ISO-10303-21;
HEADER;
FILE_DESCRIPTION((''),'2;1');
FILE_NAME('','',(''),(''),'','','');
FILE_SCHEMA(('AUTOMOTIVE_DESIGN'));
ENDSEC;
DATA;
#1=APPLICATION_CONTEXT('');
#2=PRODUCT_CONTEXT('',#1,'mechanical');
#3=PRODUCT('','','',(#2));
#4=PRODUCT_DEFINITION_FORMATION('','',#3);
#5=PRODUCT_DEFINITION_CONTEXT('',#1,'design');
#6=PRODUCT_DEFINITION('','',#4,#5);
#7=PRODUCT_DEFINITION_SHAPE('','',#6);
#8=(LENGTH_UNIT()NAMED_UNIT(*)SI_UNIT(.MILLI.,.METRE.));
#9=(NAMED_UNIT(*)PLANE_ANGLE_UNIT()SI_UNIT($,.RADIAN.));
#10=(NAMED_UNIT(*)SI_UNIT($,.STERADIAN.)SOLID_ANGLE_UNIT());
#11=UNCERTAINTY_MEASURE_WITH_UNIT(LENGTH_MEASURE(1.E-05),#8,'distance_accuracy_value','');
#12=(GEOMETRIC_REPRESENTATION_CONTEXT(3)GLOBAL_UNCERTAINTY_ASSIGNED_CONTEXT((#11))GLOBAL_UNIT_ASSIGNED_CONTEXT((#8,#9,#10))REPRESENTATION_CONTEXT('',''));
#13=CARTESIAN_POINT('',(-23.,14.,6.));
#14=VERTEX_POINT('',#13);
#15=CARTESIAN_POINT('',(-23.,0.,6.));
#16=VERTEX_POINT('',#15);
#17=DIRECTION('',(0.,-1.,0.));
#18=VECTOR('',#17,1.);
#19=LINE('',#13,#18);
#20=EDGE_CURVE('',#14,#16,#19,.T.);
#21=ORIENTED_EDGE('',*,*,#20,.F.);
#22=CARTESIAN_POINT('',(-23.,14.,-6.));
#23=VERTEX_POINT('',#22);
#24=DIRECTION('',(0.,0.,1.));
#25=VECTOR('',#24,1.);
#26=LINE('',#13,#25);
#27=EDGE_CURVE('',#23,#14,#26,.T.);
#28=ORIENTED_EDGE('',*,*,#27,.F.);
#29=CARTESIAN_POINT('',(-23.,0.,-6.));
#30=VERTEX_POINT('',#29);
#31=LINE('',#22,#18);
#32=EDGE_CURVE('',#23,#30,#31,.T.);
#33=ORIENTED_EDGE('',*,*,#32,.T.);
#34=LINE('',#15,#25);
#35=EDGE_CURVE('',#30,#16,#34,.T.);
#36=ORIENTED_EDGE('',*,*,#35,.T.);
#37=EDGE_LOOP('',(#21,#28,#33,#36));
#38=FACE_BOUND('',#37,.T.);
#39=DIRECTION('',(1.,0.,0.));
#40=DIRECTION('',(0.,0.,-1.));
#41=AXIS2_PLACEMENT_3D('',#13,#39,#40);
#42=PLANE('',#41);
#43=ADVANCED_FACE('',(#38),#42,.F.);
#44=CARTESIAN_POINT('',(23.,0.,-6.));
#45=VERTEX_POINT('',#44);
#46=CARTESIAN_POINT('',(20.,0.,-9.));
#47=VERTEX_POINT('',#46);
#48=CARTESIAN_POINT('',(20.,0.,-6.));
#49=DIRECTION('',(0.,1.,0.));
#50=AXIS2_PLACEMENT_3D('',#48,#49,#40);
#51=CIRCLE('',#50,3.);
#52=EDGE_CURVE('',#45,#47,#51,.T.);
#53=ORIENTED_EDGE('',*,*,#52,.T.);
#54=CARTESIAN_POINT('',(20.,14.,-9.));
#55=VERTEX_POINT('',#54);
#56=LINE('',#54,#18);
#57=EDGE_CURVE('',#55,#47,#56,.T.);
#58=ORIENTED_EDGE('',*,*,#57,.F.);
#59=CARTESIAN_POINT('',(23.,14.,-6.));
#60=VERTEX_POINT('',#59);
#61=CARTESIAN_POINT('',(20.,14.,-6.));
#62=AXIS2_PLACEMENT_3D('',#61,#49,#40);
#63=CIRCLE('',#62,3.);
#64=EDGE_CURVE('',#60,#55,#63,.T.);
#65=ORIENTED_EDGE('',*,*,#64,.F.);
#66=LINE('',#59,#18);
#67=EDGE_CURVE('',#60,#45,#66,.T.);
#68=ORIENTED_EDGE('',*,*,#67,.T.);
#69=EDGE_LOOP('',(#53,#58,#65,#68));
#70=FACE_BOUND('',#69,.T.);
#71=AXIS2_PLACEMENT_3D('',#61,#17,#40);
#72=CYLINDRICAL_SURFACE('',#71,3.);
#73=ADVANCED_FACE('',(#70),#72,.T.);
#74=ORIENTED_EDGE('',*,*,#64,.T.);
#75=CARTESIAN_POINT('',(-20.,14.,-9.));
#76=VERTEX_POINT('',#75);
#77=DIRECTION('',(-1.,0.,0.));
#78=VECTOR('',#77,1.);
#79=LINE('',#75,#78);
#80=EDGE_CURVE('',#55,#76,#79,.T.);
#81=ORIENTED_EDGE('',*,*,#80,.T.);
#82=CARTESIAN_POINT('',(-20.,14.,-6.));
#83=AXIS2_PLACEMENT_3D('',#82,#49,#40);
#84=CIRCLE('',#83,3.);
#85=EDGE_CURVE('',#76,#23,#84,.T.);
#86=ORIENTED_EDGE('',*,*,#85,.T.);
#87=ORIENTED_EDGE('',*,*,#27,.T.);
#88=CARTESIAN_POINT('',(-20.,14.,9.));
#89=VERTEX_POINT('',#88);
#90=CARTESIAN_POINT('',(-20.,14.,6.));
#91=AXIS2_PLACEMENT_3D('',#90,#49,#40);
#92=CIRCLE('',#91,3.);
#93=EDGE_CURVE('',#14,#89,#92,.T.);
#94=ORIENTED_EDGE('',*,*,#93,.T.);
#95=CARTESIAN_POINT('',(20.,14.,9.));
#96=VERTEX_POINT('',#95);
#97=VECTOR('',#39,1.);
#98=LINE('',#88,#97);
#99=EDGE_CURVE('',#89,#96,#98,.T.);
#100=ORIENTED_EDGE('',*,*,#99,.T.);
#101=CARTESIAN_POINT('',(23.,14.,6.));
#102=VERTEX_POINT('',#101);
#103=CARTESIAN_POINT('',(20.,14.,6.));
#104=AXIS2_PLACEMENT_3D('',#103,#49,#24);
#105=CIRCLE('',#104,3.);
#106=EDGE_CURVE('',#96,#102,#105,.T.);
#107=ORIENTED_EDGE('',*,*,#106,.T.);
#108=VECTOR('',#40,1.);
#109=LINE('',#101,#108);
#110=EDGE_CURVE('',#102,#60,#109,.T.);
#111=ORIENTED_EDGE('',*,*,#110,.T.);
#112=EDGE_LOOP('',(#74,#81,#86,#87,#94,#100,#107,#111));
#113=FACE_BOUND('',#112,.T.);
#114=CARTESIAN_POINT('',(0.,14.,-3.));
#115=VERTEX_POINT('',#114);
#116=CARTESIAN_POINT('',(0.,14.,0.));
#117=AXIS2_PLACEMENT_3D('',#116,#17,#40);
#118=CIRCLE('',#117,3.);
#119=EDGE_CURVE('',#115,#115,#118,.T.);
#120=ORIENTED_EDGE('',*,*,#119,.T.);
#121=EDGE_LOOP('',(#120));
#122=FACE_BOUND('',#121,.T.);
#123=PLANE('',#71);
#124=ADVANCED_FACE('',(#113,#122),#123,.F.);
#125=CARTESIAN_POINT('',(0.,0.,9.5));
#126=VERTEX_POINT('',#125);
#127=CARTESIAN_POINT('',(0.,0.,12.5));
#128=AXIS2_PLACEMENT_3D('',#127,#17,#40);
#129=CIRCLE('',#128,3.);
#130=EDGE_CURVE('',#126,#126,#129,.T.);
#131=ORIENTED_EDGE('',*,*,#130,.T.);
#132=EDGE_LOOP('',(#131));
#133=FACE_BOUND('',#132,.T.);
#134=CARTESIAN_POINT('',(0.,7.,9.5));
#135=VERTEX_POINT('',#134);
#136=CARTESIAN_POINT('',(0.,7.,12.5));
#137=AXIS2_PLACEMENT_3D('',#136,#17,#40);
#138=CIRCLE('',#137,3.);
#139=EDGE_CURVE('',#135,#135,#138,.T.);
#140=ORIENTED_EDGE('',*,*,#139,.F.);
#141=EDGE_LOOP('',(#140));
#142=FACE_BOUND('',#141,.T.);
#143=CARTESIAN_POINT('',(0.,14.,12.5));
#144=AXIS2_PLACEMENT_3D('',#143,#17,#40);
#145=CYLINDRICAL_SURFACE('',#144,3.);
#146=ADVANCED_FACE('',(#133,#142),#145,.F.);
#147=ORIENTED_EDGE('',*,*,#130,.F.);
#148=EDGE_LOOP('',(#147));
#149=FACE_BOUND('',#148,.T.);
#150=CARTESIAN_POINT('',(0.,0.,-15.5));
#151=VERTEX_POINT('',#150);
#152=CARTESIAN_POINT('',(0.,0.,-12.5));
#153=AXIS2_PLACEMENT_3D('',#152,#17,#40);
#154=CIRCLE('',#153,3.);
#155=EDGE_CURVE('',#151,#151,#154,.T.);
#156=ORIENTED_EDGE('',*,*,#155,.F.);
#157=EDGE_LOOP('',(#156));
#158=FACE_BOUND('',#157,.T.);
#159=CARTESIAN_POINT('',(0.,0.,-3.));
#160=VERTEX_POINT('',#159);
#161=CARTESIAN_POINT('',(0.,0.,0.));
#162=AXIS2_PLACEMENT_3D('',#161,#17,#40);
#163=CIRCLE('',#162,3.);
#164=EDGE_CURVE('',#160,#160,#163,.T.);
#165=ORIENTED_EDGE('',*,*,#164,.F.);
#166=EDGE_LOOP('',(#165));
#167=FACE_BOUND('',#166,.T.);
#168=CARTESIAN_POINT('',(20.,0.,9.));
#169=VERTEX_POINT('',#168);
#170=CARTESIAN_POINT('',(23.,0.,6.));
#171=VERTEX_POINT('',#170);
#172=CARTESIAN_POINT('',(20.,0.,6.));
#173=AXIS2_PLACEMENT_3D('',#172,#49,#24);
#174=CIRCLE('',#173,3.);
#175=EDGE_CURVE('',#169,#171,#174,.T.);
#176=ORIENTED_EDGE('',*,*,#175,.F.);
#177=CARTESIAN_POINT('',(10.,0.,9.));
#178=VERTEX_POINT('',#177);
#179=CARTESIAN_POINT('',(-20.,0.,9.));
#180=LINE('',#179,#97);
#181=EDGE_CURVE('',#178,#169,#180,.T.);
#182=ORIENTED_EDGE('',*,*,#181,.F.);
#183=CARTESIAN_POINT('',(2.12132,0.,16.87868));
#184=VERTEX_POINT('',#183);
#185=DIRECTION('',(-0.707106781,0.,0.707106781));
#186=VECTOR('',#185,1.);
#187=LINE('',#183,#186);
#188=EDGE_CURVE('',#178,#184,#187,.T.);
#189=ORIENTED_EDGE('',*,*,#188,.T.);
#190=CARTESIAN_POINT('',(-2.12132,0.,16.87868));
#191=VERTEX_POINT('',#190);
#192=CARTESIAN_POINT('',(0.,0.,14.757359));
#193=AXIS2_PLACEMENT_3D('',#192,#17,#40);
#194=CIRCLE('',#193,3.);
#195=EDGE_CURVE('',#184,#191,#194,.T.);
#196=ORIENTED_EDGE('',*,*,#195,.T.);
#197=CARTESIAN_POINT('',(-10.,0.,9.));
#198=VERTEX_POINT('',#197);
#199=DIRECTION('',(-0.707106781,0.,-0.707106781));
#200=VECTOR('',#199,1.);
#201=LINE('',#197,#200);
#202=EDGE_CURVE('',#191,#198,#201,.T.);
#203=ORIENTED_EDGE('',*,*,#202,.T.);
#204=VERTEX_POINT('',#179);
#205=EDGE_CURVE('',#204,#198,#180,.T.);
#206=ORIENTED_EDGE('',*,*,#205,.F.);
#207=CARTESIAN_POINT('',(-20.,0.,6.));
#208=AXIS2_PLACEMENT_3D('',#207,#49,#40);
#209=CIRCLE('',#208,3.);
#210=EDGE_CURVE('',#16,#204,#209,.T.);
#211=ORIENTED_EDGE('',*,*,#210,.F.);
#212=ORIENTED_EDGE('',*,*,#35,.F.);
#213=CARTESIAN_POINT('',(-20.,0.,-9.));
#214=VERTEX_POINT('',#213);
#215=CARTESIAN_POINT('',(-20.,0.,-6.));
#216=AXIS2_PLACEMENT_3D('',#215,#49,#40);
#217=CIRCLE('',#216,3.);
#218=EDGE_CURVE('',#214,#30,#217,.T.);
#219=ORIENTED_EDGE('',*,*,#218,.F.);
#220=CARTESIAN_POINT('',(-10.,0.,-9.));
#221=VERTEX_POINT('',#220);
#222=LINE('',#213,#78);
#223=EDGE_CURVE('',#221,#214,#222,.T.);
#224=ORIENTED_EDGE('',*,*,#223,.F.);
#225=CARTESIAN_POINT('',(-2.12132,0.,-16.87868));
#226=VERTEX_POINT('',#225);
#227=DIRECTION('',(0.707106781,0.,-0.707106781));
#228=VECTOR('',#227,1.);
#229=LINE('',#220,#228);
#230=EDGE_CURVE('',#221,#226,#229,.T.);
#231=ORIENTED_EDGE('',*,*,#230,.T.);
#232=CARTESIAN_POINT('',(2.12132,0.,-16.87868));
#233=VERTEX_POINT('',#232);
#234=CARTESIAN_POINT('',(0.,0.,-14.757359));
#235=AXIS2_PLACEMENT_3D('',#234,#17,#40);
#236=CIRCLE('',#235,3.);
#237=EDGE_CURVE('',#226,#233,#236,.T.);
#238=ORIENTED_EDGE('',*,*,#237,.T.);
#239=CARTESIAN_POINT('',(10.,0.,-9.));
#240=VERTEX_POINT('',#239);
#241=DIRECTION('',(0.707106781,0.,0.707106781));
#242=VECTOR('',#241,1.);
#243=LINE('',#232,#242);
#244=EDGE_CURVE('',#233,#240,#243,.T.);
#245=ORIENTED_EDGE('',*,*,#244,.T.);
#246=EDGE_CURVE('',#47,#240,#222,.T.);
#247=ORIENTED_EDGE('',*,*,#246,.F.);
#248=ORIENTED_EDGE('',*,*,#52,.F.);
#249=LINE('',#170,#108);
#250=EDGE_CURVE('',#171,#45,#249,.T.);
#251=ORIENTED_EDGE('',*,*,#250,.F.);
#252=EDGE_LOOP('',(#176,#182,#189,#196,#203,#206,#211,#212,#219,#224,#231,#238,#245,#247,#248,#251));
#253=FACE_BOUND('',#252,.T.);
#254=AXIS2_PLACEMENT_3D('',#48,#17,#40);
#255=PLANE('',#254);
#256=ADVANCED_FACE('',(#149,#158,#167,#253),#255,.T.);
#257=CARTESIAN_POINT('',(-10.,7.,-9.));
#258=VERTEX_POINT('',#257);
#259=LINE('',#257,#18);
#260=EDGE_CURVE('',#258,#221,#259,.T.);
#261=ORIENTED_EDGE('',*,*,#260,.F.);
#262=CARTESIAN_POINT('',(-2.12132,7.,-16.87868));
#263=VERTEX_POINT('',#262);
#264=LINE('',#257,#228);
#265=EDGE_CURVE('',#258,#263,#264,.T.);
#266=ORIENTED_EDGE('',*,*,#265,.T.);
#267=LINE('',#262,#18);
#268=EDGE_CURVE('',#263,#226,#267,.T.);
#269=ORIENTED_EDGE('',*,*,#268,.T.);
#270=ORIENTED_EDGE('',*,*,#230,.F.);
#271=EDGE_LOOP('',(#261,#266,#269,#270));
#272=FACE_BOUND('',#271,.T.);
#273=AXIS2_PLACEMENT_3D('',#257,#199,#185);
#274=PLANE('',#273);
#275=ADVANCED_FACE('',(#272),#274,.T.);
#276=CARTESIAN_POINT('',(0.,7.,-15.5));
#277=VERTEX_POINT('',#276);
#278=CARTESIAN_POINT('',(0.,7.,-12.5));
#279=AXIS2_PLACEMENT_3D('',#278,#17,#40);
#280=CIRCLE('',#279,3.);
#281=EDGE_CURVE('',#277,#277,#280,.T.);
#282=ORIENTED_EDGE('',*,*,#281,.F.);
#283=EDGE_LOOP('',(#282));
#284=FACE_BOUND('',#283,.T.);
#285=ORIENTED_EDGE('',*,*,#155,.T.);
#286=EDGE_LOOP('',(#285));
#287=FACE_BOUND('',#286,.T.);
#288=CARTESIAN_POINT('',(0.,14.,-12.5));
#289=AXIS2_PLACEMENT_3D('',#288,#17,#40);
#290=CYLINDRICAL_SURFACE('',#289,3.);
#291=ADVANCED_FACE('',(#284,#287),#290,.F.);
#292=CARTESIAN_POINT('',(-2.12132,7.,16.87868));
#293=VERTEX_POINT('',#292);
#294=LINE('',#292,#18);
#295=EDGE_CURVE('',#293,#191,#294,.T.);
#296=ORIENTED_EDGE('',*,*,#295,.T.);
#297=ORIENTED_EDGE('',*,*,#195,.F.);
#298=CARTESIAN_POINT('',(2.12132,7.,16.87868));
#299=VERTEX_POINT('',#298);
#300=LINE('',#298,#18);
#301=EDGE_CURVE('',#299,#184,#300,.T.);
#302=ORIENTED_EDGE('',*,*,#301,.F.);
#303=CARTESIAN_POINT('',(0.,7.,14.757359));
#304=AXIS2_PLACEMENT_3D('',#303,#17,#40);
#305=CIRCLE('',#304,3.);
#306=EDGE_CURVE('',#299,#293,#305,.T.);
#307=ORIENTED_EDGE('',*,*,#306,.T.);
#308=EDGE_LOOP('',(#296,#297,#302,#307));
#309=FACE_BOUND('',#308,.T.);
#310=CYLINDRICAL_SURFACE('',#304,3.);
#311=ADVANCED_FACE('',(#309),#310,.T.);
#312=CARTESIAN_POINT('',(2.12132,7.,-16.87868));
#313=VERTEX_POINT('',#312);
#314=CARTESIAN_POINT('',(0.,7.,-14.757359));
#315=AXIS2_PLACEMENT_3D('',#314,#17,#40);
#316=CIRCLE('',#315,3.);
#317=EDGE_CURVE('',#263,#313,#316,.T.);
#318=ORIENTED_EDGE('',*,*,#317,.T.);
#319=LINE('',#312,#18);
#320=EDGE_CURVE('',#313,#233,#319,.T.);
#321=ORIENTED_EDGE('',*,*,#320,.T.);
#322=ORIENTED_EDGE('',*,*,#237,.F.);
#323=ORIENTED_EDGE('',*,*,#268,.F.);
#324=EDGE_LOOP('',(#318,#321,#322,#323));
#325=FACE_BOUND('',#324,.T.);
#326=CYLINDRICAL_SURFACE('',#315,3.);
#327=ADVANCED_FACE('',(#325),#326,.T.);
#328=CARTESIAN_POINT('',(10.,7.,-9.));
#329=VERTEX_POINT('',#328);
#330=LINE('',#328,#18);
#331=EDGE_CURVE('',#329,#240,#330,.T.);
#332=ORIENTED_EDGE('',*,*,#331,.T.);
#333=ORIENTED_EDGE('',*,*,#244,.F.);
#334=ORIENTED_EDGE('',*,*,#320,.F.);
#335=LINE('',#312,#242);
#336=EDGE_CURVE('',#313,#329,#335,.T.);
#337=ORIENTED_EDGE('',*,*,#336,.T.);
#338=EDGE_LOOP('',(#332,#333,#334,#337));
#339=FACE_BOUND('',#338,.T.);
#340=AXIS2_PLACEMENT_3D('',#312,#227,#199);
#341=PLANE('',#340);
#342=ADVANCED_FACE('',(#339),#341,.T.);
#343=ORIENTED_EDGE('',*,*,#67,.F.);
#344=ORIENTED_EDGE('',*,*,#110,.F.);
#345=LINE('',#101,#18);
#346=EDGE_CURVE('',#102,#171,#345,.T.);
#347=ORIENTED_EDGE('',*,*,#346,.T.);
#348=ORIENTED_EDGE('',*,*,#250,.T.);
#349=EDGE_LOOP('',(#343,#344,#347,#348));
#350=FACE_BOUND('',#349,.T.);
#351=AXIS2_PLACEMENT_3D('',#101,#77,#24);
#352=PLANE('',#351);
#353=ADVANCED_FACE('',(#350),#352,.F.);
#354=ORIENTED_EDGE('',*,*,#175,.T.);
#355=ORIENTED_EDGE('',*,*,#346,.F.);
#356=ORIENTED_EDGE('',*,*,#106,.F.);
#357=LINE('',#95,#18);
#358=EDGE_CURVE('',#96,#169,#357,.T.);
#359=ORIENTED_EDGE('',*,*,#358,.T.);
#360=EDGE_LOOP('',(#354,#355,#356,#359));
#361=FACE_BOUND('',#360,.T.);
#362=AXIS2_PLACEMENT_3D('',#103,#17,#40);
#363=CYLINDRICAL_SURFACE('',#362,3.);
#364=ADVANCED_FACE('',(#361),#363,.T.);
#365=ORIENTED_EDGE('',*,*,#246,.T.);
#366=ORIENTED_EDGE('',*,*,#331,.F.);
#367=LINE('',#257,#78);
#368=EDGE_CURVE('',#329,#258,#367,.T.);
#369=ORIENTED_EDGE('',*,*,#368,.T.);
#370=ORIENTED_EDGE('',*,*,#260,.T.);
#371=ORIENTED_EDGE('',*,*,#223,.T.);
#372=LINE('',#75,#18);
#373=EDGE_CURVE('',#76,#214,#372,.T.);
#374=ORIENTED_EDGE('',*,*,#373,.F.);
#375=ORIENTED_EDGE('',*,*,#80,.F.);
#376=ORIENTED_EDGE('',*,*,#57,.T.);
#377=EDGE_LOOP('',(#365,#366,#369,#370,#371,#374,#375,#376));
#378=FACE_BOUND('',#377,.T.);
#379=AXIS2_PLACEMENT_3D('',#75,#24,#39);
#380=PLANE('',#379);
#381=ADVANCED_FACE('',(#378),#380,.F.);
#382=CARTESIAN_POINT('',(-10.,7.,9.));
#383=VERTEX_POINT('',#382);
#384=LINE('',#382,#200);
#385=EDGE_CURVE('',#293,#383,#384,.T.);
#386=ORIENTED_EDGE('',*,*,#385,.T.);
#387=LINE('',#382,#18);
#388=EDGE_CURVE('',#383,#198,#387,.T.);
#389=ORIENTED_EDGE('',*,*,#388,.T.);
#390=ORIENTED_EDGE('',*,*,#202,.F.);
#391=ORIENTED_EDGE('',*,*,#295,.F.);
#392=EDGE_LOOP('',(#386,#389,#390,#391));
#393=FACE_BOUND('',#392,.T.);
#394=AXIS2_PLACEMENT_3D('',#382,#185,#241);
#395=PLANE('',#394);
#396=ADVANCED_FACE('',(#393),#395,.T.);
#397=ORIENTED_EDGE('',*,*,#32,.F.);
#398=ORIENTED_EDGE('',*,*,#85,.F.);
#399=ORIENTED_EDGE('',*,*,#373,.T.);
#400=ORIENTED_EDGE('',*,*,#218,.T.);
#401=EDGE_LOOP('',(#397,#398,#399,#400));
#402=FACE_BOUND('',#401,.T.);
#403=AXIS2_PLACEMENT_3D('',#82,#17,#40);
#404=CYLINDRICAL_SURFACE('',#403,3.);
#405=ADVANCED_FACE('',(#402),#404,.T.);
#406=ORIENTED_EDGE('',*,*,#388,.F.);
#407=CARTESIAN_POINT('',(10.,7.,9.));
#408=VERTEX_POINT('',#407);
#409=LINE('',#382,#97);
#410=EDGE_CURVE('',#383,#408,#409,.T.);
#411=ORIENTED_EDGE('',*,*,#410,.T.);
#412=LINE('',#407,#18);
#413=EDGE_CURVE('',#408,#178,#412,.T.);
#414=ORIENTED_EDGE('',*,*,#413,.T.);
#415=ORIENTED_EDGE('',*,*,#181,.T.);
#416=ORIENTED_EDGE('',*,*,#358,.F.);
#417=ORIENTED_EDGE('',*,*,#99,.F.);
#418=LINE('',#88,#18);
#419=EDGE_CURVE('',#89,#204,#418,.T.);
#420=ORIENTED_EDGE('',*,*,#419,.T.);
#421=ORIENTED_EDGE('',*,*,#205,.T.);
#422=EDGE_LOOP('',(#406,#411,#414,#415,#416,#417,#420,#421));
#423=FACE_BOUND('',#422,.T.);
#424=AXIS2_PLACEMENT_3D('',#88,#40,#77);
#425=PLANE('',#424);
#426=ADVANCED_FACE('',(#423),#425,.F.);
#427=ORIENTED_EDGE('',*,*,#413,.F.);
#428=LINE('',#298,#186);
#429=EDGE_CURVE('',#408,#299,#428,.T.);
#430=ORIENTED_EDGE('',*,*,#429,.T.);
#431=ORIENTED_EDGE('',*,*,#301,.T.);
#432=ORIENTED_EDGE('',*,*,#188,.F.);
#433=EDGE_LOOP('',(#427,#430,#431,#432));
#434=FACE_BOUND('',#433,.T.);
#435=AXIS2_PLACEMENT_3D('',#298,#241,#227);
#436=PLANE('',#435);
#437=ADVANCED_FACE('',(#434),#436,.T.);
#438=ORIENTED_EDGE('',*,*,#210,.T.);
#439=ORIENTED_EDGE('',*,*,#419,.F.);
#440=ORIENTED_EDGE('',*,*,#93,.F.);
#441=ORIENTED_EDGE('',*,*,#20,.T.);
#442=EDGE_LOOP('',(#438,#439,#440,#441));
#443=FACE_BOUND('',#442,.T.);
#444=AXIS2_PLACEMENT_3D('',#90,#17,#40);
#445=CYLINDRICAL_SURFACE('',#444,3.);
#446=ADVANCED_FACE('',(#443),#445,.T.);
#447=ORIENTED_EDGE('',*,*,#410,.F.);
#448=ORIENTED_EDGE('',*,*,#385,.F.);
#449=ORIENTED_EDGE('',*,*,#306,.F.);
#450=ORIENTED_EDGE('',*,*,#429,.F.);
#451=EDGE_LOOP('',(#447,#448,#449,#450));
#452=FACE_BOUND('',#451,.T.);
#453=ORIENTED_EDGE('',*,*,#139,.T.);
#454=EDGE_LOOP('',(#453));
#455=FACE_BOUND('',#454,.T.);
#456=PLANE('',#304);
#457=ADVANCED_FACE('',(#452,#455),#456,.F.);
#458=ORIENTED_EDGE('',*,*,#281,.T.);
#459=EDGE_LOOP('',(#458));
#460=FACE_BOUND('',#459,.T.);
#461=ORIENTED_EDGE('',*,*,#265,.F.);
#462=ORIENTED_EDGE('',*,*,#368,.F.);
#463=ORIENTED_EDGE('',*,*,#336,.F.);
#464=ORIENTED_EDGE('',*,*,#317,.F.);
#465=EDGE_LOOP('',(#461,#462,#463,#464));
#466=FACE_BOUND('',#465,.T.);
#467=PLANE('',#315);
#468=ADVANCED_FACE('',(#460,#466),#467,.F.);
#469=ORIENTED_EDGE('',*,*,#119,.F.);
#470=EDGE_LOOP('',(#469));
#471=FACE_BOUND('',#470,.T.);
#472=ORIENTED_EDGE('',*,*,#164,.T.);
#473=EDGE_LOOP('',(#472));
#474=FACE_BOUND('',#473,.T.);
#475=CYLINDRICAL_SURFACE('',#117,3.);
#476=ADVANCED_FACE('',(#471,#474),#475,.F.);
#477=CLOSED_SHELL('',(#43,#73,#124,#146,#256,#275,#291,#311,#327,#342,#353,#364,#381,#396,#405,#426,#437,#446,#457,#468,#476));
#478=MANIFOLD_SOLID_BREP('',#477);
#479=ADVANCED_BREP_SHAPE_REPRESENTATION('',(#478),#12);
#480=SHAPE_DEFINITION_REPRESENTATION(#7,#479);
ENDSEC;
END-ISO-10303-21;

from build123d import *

# Parameters (mm, degrees)
BOX_DEPTH          = 14
TRIANGLE_DEPTH     = 7
SKETCH4_R          = 3
CUT_EXTRUDE1_DEPTH = 33.25405106


with BuildPart() as part:
    # Sketch1 → box (new body)
    with BuildSketch(Plane(origin=(0, 0, 0), x_dir=(1, 0, 0), z_dir=(0, 1, 0))):
        with BuildLine():
            Line((-20, -9), (20, -9))
            ThreePointArc((20, -9), (22.121320344, -8.121320344), (23, -6))
            Line((23, -6), (23, 6))
            ThreePointArc((23, 6), (22.121320344, 8.121320344), (20, 9))
            Line((20, 9), (-20, 9))
            ThreePointArc((-20, 9), (-22.121320344, 8.121320344), (-23, 6))
            Line((-23, 6), (-23, -6))
            ThreePointArc((-23, -6), (-22.121320344, -8.121320344), (-20, -9))
        make_face()
    extrude(amount=BOX_DEPTH)

    # Sketch3 → triangle (add)
    with BuildSketch(Plane.XZ):
        with BuildLine():
            Line((-10, -9), (-2.121320344, -16.878679656))
            ThreePointArc((-2.121320344, -16.878679656), (0, -17.757359313), (2.121320344, -16.878679656))
            Line((2.121320344, -16.878679656), (10, -9))
            Line((10, -9), (-10, -9))
        make_face()
        with BuildLine():
            Line((2.121320344, 16.878679656), (10, 9))
            Line((10, 9), (-10, 9))
            Line((-10, 9), (-2.121320344, 16.878679656))
            ThreePointArc((-2.121320344, 16.878679656), (0, 17.757359313), (2.121320344, 16.878679656))
        make_face()
    extrude(amount=-TRIANGLE_DEPTH)

    # Sketch4 → Cut-Extrude1 (cut, through all)
    with BuildSketch(Plane.XZ):
        with Locations(Location((0, 12.5, 0), (0, 0, 270))):
            Circle(SKETCH4_R)
        with Locations(Location((0, 0, 0), (0, 0, 270))):
            Circle(SKETCH4_R)
        with Locations(Location((0, -12.5, 0), (0, 0, 270))):
            Circle(SKETCH4_R)
    extrude(amount=-CUT_EXTRUDE1_DEPTH, mode=Mode.SUBTRACT)


solid = part.part
